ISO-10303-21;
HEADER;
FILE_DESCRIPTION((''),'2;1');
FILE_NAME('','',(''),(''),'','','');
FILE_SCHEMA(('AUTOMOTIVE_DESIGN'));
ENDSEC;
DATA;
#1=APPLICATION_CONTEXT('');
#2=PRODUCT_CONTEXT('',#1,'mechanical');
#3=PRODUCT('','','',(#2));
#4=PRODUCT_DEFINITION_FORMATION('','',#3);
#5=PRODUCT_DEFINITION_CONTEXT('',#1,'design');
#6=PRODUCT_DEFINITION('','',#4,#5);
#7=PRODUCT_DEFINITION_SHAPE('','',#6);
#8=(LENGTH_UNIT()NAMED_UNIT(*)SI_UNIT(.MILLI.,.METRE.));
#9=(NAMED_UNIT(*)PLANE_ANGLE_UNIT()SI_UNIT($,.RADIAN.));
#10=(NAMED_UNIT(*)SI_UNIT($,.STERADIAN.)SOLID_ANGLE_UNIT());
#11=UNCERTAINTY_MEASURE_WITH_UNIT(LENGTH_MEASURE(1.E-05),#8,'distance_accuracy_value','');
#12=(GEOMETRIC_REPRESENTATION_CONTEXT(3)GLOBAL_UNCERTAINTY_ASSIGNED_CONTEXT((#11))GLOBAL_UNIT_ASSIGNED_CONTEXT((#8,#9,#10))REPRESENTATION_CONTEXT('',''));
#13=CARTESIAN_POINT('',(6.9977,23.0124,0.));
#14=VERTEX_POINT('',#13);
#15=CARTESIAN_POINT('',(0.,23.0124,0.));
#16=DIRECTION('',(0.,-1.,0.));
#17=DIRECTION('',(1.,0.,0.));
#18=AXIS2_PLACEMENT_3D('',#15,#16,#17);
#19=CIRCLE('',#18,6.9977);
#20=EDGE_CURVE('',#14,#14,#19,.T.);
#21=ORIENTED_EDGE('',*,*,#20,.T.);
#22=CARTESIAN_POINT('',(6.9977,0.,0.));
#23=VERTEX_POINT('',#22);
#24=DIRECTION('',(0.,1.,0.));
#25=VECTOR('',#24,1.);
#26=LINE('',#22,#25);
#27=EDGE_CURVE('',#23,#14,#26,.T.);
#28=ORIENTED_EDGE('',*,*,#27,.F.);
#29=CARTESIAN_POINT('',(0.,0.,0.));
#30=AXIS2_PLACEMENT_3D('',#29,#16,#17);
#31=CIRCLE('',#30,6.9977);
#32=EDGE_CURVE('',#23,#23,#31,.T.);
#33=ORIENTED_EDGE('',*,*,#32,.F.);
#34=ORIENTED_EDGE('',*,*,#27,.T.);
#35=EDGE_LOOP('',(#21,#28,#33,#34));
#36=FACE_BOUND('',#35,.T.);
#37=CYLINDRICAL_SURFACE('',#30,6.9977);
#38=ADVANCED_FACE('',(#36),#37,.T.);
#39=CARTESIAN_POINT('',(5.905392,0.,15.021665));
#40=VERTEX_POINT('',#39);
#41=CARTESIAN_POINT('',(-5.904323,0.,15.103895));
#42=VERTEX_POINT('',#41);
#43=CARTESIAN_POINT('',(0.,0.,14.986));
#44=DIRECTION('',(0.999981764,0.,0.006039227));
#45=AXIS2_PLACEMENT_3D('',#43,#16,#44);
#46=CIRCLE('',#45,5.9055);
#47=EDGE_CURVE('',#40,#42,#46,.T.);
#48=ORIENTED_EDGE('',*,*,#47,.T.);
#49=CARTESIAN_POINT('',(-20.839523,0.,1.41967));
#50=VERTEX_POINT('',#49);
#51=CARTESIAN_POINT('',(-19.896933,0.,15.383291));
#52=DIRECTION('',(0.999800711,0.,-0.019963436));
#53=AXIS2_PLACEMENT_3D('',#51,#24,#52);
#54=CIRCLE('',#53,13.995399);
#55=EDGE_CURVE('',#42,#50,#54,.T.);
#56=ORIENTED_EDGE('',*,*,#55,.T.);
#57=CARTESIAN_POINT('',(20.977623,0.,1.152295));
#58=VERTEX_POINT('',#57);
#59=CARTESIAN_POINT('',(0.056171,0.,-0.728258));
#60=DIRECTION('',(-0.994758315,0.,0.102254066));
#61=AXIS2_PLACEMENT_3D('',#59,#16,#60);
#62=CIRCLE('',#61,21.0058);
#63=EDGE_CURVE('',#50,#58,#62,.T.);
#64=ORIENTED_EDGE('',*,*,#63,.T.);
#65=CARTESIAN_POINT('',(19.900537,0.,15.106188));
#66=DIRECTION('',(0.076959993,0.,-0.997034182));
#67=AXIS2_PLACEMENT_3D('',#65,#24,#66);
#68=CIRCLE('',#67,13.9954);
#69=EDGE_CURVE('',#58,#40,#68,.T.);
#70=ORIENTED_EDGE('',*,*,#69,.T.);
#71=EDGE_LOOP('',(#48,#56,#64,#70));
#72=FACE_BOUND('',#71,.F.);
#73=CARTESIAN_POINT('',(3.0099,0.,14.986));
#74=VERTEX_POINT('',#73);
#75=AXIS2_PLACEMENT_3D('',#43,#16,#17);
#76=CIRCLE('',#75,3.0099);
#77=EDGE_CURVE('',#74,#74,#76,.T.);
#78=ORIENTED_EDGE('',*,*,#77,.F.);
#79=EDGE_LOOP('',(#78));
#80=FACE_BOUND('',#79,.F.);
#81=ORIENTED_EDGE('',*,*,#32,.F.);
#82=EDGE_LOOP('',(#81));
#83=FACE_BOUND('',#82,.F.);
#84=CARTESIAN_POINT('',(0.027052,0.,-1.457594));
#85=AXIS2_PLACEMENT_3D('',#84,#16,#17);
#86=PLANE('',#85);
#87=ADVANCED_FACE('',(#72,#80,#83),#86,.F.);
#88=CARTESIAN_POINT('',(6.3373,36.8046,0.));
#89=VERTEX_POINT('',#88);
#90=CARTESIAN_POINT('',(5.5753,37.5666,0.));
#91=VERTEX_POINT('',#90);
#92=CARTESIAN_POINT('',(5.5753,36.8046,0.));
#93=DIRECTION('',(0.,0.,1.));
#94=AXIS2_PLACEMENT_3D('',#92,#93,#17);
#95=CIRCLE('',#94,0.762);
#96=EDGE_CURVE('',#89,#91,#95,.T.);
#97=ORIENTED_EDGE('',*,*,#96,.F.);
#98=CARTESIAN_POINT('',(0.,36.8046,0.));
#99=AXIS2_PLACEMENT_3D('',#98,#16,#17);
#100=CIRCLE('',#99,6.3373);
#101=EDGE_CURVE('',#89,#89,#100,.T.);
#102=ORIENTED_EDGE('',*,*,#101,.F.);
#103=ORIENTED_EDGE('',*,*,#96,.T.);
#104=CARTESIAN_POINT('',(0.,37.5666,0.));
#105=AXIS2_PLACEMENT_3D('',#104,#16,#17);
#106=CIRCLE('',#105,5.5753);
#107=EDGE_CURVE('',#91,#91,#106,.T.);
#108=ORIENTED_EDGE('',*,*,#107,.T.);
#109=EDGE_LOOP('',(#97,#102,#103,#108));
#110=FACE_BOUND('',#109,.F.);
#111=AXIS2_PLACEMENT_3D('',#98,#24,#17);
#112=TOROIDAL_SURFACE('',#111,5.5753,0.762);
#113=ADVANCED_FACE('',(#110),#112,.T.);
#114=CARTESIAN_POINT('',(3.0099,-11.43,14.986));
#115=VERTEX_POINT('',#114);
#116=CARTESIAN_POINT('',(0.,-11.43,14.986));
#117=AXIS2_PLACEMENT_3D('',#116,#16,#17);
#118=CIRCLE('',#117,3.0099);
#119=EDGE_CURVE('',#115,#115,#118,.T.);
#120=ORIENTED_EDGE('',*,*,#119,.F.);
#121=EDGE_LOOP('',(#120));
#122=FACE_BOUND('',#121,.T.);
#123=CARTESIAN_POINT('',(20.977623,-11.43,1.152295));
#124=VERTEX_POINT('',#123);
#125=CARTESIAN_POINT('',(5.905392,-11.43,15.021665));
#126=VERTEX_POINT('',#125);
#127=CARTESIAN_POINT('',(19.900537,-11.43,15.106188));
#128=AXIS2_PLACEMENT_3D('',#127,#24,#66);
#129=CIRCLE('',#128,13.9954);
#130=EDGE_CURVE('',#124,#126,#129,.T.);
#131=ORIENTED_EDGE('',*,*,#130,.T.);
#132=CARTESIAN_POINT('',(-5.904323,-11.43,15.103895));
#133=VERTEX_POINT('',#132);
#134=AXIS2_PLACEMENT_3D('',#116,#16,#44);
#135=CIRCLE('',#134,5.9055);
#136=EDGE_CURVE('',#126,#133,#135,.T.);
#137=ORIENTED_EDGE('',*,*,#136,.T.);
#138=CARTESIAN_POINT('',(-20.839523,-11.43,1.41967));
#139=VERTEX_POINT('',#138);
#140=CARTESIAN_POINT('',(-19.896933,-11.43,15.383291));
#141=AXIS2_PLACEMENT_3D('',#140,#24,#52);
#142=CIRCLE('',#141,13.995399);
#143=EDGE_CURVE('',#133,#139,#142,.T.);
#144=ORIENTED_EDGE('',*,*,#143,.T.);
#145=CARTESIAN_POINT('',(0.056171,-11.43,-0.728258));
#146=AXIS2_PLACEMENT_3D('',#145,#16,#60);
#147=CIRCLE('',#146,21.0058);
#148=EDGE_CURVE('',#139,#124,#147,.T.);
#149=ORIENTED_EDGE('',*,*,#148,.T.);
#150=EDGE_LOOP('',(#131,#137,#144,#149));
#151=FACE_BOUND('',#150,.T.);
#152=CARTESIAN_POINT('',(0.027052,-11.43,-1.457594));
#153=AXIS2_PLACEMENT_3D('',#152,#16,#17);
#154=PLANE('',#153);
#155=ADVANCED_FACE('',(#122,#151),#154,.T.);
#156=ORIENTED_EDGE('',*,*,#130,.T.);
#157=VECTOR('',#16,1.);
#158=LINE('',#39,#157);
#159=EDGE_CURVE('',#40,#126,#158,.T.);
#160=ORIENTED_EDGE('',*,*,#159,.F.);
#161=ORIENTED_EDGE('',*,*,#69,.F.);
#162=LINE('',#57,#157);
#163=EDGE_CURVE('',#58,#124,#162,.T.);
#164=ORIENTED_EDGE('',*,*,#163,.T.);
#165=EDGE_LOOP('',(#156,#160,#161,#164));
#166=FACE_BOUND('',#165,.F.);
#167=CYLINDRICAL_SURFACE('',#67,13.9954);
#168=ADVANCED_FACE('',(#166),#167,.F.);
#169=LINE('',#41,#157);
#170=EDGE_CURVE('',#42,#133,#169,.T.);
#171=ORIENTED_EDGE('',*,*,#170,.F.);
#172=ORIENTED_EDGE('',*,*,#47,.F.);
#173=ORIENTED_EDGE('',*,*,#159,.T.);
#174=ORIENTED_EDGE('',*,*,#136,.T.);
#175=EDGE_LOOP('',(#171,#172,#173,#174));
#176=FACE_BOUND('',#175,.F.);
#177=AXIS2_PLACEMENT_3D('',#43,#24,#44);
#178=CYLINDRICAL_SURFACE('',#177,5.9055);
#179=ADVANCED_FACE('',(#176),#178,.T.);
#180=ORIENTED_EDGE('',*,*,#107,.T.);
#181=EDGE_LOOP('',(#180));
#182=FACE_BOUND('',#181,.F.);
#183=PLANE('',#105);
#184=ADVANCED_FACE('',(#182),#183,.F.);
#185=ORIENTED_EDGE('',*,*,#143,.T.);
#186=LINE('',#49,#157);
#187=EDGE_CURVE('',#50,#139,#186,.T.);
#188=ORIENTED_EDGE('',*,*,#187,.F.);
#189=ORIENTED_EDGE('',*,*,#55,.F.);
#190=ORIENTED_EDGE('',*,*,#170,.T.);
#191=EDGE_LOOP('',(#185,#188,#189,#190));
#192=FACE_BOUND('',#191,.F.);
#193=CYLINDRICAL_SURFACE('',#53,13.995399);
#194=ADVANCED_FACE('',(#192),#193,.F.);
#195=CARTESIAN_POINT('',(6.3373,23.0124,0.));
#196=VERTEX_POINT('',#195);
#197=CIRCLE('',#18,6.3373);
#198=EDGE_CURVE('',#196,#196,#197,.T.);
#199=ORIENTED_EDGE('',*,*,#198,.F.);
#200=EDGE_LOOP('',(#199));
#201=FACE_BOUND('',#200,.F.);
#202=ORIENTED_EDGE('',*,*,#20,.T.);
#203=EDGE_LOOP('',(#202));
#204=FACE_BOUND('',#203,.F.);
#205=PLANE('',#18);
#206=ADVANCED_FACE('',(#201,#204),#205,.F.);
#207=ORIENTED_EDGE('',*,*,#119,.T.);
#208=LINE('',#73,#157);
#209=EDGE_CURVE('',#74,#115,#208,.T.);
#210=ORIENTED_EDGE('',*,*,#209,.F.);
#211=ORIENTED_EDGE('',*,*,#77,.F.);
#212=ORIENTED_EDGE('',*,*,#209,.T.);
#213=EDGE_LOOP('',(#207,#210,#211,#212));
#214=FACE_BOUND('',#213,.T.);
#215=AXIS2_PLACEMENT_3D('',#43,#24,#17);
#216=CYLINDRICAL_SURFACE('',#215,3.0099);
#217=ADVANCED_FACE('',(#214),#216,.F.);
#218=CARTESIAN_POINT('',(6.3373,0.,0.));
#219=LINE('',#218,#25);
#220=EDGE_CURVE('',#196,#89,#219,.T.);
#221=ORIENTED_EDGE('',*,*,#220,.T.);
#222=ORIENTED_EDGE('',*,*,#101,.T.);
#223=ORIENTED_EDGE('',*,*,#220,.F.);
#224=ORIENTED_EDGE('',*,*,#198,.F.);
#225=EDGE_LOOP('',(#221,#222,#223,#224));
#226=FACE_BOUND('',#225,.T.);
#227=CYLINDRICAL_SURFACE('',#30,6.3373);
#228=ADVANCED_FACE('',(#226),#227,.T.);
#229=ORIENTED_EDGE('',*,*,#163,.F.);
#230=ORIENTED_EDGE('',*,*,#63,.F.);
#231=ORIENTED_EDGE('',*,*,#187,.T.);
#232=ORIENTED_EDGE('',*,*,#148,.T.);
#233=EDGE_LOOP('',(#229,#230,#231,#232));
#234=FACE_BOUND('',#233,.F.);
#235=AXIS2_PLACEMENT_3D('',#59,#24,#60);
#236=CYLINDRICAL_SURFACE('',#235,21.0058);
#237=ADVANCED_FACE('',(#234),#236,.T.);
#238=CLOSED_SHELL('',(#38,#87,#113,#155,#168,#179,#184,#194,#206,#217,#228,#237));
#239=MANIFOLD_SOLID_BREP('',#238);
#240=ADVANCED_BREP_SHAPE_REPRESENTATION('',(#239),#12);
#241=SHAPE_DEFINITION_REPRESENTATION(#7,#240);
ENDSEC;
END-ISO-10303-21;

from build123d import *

# Parameters (mm, degrees)
F0_R     = 3.0099
F1_DEPTH = 11.43
F2_R     = 6.9977
F2_R_2   = 6.3373
F3_DEPTH = 23.0124
F4_DEPTH = 37.5666
F5_R     = 0.762


with BuildPart() as f1:
    # F0 (on Front) → F1 (new body)
    with BuildSketch(Plane.XZ):
        with BuildLine():
            ThreePointArc((20.977623, 1.152295), (10.42378, 4.807532), (5.905392, 15.021665))
            ThreePointArc((5.905392, 15.021665), (0.041118, 20.891357), (-5.904323, 15.103895))
            ThreePointArc((-5.904323, 15.103895), (-10.442291, 5.064331), (-20.839523, 1.41967))
            ThreePointArc((-20.839523, 1.41967), (-0.078135, -21.733629), (20.977623, 1.152295))
        make_face()
        with Locations((0, 14.986)):
            Circle(F0_R, mode=Mode.SUBTRACT)
    extrude(amount=F1_DEPTH)

    # F2 (on Front) → F3 (join)
    with BuildSketch(Plane.XZ):
        Circle(F2_R)
        Circle(F2_R_2, mode=Mode.SUBTRACT)
    extrude(amount=-F3_DEPTH)

    # F2 (on Front) → F4 (join)
    with BuildSketch(Plane.XZ):
        Circle(F2_R_2)
    extrude(amount=-F4_DEPTH)

    # F5
    f5_edges = [f1.edges().sort_by_distance(p)[0] for p in [
        (-6.3373, 37.5666, 0),
    ]]
    fillet(f5_edges, radius=F5_R)


solid = f1.part
